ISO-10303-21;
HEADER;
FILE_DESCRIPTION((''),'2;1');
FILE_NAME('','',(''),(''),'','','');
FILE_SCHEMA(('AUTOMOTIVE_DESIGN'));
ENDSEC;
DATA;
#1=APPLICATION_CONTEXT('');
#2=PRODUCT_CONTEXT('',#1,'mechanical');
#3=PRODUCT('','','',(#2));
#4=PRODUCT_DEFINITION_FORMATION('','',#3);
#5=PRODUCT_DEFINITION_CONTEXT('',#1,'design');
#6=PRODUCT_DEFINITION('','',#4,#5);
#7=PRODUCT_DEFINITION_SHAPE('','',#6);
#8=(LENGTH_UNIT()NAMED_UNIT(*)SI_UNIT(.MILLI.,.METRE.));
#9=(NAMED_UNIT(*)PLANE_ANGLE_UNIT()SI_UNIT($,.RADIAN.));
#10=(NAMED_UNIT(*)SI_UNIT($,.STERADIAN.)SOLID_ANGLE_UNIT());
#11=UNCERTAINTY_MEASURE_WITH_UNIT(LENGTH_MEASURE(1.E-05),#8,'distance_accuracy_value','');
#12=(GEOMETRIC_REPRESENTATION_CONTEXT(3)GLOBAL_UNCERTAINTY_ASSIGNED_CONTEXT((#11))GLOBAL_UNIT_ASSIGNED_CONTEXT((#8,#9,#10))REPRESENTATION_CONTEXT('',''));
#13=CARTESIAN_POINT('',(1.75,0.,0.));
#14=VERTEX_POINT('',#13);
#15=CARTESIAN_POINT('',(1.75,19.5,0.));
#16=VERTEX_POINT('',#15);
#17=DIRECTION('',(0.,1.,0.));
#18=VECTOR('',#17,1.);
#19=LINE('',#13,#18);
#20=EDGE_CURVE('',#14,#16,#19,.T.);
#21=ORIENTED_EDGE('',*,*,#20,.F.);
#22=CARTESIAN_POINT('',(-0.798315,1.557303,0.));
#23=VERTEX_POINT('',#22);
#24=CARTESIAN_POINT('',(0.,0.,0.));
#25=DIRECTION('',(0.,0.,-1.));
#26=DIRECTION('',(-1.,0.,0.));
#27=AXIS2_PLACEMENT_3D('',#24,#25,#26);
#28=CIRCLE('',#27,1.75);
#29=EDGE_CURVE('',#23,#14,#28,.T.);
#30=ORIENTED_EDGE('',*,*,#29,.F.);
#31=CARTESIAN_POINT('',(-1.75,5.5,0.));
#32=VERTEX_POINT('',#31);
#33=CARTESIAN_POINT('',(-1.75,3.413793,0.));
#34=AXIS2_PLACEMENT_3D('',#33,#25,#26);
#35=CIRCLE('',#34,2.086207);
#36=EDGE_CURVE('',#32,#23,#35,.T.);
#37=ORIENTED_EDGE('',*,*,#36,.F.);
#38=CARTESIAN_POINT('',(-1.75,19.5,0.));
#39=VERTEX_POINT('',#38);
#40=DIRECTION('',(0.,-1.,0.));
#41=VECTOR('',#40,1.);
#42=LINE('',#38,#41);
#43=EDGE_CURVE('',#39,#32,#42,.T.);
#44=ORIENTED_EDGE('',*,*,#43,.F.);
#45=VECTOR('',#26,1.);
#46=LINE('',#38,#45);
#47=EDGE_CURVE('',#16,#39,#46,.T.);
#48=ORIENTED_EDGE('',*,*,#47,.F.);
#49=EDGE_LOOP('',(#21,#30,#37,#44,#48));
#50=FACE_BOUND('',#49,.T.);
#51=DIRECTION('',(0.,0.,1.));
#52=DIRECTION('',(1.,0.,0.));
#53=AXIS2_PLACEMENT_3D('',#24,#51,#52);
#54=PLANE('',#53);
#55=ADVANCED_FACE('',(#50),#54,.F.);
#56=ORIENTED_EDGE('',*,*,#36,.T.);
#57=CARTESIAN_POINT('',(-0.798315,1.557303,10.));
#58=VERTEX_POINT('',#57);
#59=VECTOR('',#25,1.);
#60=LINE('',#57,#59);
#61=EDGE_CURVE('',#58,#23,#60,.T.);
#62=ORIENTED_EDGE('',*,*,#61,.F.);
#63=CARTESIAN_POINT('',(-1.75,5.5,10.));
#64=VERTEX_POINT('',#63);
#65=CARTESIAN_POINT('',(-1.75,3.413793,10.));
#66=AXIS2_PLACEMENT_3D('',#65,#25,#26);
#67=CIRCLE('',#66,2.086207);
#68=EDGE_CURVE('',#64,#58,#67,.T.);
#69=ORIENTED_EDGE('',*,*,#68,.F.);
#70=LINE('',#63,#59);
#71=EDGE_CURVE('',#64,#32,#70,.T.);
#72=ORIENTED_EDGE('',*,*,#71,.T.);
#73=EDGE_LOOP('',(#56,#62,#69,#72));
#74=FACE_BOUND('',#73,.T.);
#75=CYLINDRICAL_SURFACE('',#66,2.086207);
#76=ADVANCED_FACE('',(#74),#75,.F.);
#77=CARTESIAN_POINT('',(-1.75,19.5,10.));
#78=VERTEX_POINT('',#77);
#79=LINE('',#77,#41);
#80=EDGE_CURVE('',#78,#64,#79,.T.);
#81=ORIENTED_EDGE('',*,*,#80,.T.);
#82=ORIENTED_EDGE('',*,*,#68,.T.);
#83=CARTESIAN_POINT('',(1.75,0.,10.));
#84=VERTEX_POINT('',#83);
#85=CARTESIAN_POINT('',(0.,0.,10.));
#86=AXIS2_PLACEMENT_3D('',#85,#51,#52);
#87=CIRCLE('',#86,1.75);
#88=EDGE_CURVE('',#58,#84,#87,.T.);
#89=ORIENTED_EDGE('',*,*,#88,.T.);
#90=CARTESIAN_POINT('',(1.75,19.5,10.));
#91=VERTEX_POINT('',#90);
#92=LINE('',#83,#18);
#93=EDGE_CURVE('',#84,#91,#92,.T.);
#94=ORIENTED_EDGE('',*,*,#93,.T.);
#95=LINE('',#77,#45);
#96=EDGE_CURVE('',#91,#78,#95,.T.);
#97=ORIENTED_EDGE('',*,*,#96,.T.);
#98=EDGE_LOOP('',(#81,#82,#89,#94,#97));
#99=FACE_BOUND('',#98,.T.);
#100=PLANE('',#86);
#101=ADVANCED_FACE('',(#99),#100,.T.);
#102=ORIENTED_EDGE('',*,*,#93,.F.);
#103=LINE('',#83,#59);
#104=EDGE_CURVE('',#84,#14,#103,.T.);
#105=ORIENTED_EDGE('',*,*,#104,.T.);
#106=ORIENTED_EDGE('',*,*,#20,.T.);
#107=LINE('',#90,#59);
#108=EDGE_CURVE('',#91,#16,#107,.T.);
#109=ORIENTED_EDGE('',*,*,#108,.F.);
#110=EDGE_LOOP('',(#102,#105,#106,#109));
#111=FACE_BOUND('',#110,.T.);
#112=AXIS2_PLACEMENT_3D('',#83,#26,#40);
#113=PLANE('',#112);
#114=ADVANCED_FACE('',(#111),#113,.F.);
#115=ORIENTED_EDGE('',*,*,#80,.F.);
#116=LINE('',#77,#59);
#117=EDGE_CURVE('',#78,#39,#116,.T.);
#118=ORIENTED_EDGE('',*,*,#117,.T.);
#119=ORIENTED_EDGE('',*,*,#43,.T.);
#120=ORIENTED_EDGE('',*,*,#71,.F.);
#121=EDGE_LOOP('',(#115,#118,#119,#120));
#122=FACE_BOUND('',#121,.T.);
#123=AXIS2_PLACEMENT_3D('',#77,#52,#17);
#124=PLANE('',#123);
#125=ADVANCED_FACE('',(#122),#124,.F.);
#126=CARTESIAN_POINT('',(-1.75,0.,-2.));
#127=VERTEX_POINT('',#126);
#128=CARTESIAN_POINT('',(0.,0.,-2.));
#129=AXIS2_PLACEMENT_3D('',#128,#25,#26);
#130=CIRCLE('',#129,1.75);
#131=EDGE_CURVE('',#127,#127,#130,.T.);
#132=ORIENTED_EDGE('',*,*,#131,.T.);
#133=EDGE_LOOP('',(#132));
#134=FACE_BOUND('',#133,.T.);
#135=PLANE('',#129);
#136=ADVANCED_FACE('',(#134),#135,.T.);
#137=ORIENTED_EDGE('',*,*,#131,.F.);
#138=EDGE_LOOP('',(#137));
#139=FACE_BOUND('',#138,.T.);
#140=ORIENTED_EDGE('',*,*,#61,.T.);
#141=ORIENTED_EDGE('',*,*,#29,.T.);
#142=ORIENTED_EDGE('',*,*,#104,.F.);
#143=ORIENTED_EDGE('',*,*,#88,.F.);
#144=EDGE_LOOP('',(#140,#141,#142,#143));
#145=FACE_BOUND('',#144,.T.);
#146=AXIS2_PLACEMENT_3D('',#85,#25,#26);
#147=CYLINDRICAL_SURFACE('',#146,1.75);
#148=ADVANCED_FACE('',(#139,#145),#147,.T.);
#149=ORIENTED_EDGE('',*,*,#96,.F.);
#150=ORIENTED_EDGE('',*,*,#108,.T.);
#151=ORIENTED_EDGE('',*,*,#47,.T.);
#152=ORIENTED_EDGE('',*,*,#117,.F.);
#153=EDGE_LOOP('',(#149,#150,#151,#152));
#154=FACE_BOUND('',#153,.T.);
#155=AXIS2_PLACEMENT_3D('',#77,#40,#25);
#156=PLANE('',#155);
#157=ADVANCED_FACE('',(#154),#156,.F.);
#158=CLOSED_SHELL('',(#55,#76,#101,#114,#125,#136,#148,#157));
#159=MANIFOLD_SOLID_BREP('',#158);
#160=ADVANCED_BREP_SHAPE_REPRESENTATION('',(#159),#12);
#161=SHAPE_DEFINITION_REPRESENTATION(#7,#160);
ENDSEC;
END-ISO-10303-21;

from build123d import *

# Parameters (mm, degrees)
DODANIE_WYCI_GNI_CIE1_DEPTH = 10
SZKIC2_R                    = 1.75
DODANIE_WYCI_GNI_CIE2_DEPTH = 2


with BuildPart() as part:
    # Szkic1 → Dodanie-wyciągnięcie1 (new body)
    with BuildSketch(Plane.XY):
        with BuildLine():
            Line((1.75, 0), (1.75, 19.5))
            Line((1.75, 19.5), (-1.75, 19.5))
            Line((-1.75, 19.5), (-1.75, 5.5))
            ThreePointArc((-1.75, 5.5), (0.277964608, 3.903301802), (-0.798314607, 1.557303371))
            ThreePointArc((-0.798314607, 1.557303371), (-0.912537517, -1.493243209), (1.75, 0))
        make_face()
    extrude(amount=DODANIE_WYCI_GNI_CIE1_DEPTH)

    # Szkic2 → Dodanie-wyciągnięcie2 (add)
    with BuildSketch(Plane(origin=(0, 0, 0), x_dir=(-1, 0, 0), z_dir=(0, 0, -1))):
        Circle(SZKIC2_R)
    extrude(amount=DODANIE_WYCI_GNI_CIE2_DEPTH)


solid = part.part
